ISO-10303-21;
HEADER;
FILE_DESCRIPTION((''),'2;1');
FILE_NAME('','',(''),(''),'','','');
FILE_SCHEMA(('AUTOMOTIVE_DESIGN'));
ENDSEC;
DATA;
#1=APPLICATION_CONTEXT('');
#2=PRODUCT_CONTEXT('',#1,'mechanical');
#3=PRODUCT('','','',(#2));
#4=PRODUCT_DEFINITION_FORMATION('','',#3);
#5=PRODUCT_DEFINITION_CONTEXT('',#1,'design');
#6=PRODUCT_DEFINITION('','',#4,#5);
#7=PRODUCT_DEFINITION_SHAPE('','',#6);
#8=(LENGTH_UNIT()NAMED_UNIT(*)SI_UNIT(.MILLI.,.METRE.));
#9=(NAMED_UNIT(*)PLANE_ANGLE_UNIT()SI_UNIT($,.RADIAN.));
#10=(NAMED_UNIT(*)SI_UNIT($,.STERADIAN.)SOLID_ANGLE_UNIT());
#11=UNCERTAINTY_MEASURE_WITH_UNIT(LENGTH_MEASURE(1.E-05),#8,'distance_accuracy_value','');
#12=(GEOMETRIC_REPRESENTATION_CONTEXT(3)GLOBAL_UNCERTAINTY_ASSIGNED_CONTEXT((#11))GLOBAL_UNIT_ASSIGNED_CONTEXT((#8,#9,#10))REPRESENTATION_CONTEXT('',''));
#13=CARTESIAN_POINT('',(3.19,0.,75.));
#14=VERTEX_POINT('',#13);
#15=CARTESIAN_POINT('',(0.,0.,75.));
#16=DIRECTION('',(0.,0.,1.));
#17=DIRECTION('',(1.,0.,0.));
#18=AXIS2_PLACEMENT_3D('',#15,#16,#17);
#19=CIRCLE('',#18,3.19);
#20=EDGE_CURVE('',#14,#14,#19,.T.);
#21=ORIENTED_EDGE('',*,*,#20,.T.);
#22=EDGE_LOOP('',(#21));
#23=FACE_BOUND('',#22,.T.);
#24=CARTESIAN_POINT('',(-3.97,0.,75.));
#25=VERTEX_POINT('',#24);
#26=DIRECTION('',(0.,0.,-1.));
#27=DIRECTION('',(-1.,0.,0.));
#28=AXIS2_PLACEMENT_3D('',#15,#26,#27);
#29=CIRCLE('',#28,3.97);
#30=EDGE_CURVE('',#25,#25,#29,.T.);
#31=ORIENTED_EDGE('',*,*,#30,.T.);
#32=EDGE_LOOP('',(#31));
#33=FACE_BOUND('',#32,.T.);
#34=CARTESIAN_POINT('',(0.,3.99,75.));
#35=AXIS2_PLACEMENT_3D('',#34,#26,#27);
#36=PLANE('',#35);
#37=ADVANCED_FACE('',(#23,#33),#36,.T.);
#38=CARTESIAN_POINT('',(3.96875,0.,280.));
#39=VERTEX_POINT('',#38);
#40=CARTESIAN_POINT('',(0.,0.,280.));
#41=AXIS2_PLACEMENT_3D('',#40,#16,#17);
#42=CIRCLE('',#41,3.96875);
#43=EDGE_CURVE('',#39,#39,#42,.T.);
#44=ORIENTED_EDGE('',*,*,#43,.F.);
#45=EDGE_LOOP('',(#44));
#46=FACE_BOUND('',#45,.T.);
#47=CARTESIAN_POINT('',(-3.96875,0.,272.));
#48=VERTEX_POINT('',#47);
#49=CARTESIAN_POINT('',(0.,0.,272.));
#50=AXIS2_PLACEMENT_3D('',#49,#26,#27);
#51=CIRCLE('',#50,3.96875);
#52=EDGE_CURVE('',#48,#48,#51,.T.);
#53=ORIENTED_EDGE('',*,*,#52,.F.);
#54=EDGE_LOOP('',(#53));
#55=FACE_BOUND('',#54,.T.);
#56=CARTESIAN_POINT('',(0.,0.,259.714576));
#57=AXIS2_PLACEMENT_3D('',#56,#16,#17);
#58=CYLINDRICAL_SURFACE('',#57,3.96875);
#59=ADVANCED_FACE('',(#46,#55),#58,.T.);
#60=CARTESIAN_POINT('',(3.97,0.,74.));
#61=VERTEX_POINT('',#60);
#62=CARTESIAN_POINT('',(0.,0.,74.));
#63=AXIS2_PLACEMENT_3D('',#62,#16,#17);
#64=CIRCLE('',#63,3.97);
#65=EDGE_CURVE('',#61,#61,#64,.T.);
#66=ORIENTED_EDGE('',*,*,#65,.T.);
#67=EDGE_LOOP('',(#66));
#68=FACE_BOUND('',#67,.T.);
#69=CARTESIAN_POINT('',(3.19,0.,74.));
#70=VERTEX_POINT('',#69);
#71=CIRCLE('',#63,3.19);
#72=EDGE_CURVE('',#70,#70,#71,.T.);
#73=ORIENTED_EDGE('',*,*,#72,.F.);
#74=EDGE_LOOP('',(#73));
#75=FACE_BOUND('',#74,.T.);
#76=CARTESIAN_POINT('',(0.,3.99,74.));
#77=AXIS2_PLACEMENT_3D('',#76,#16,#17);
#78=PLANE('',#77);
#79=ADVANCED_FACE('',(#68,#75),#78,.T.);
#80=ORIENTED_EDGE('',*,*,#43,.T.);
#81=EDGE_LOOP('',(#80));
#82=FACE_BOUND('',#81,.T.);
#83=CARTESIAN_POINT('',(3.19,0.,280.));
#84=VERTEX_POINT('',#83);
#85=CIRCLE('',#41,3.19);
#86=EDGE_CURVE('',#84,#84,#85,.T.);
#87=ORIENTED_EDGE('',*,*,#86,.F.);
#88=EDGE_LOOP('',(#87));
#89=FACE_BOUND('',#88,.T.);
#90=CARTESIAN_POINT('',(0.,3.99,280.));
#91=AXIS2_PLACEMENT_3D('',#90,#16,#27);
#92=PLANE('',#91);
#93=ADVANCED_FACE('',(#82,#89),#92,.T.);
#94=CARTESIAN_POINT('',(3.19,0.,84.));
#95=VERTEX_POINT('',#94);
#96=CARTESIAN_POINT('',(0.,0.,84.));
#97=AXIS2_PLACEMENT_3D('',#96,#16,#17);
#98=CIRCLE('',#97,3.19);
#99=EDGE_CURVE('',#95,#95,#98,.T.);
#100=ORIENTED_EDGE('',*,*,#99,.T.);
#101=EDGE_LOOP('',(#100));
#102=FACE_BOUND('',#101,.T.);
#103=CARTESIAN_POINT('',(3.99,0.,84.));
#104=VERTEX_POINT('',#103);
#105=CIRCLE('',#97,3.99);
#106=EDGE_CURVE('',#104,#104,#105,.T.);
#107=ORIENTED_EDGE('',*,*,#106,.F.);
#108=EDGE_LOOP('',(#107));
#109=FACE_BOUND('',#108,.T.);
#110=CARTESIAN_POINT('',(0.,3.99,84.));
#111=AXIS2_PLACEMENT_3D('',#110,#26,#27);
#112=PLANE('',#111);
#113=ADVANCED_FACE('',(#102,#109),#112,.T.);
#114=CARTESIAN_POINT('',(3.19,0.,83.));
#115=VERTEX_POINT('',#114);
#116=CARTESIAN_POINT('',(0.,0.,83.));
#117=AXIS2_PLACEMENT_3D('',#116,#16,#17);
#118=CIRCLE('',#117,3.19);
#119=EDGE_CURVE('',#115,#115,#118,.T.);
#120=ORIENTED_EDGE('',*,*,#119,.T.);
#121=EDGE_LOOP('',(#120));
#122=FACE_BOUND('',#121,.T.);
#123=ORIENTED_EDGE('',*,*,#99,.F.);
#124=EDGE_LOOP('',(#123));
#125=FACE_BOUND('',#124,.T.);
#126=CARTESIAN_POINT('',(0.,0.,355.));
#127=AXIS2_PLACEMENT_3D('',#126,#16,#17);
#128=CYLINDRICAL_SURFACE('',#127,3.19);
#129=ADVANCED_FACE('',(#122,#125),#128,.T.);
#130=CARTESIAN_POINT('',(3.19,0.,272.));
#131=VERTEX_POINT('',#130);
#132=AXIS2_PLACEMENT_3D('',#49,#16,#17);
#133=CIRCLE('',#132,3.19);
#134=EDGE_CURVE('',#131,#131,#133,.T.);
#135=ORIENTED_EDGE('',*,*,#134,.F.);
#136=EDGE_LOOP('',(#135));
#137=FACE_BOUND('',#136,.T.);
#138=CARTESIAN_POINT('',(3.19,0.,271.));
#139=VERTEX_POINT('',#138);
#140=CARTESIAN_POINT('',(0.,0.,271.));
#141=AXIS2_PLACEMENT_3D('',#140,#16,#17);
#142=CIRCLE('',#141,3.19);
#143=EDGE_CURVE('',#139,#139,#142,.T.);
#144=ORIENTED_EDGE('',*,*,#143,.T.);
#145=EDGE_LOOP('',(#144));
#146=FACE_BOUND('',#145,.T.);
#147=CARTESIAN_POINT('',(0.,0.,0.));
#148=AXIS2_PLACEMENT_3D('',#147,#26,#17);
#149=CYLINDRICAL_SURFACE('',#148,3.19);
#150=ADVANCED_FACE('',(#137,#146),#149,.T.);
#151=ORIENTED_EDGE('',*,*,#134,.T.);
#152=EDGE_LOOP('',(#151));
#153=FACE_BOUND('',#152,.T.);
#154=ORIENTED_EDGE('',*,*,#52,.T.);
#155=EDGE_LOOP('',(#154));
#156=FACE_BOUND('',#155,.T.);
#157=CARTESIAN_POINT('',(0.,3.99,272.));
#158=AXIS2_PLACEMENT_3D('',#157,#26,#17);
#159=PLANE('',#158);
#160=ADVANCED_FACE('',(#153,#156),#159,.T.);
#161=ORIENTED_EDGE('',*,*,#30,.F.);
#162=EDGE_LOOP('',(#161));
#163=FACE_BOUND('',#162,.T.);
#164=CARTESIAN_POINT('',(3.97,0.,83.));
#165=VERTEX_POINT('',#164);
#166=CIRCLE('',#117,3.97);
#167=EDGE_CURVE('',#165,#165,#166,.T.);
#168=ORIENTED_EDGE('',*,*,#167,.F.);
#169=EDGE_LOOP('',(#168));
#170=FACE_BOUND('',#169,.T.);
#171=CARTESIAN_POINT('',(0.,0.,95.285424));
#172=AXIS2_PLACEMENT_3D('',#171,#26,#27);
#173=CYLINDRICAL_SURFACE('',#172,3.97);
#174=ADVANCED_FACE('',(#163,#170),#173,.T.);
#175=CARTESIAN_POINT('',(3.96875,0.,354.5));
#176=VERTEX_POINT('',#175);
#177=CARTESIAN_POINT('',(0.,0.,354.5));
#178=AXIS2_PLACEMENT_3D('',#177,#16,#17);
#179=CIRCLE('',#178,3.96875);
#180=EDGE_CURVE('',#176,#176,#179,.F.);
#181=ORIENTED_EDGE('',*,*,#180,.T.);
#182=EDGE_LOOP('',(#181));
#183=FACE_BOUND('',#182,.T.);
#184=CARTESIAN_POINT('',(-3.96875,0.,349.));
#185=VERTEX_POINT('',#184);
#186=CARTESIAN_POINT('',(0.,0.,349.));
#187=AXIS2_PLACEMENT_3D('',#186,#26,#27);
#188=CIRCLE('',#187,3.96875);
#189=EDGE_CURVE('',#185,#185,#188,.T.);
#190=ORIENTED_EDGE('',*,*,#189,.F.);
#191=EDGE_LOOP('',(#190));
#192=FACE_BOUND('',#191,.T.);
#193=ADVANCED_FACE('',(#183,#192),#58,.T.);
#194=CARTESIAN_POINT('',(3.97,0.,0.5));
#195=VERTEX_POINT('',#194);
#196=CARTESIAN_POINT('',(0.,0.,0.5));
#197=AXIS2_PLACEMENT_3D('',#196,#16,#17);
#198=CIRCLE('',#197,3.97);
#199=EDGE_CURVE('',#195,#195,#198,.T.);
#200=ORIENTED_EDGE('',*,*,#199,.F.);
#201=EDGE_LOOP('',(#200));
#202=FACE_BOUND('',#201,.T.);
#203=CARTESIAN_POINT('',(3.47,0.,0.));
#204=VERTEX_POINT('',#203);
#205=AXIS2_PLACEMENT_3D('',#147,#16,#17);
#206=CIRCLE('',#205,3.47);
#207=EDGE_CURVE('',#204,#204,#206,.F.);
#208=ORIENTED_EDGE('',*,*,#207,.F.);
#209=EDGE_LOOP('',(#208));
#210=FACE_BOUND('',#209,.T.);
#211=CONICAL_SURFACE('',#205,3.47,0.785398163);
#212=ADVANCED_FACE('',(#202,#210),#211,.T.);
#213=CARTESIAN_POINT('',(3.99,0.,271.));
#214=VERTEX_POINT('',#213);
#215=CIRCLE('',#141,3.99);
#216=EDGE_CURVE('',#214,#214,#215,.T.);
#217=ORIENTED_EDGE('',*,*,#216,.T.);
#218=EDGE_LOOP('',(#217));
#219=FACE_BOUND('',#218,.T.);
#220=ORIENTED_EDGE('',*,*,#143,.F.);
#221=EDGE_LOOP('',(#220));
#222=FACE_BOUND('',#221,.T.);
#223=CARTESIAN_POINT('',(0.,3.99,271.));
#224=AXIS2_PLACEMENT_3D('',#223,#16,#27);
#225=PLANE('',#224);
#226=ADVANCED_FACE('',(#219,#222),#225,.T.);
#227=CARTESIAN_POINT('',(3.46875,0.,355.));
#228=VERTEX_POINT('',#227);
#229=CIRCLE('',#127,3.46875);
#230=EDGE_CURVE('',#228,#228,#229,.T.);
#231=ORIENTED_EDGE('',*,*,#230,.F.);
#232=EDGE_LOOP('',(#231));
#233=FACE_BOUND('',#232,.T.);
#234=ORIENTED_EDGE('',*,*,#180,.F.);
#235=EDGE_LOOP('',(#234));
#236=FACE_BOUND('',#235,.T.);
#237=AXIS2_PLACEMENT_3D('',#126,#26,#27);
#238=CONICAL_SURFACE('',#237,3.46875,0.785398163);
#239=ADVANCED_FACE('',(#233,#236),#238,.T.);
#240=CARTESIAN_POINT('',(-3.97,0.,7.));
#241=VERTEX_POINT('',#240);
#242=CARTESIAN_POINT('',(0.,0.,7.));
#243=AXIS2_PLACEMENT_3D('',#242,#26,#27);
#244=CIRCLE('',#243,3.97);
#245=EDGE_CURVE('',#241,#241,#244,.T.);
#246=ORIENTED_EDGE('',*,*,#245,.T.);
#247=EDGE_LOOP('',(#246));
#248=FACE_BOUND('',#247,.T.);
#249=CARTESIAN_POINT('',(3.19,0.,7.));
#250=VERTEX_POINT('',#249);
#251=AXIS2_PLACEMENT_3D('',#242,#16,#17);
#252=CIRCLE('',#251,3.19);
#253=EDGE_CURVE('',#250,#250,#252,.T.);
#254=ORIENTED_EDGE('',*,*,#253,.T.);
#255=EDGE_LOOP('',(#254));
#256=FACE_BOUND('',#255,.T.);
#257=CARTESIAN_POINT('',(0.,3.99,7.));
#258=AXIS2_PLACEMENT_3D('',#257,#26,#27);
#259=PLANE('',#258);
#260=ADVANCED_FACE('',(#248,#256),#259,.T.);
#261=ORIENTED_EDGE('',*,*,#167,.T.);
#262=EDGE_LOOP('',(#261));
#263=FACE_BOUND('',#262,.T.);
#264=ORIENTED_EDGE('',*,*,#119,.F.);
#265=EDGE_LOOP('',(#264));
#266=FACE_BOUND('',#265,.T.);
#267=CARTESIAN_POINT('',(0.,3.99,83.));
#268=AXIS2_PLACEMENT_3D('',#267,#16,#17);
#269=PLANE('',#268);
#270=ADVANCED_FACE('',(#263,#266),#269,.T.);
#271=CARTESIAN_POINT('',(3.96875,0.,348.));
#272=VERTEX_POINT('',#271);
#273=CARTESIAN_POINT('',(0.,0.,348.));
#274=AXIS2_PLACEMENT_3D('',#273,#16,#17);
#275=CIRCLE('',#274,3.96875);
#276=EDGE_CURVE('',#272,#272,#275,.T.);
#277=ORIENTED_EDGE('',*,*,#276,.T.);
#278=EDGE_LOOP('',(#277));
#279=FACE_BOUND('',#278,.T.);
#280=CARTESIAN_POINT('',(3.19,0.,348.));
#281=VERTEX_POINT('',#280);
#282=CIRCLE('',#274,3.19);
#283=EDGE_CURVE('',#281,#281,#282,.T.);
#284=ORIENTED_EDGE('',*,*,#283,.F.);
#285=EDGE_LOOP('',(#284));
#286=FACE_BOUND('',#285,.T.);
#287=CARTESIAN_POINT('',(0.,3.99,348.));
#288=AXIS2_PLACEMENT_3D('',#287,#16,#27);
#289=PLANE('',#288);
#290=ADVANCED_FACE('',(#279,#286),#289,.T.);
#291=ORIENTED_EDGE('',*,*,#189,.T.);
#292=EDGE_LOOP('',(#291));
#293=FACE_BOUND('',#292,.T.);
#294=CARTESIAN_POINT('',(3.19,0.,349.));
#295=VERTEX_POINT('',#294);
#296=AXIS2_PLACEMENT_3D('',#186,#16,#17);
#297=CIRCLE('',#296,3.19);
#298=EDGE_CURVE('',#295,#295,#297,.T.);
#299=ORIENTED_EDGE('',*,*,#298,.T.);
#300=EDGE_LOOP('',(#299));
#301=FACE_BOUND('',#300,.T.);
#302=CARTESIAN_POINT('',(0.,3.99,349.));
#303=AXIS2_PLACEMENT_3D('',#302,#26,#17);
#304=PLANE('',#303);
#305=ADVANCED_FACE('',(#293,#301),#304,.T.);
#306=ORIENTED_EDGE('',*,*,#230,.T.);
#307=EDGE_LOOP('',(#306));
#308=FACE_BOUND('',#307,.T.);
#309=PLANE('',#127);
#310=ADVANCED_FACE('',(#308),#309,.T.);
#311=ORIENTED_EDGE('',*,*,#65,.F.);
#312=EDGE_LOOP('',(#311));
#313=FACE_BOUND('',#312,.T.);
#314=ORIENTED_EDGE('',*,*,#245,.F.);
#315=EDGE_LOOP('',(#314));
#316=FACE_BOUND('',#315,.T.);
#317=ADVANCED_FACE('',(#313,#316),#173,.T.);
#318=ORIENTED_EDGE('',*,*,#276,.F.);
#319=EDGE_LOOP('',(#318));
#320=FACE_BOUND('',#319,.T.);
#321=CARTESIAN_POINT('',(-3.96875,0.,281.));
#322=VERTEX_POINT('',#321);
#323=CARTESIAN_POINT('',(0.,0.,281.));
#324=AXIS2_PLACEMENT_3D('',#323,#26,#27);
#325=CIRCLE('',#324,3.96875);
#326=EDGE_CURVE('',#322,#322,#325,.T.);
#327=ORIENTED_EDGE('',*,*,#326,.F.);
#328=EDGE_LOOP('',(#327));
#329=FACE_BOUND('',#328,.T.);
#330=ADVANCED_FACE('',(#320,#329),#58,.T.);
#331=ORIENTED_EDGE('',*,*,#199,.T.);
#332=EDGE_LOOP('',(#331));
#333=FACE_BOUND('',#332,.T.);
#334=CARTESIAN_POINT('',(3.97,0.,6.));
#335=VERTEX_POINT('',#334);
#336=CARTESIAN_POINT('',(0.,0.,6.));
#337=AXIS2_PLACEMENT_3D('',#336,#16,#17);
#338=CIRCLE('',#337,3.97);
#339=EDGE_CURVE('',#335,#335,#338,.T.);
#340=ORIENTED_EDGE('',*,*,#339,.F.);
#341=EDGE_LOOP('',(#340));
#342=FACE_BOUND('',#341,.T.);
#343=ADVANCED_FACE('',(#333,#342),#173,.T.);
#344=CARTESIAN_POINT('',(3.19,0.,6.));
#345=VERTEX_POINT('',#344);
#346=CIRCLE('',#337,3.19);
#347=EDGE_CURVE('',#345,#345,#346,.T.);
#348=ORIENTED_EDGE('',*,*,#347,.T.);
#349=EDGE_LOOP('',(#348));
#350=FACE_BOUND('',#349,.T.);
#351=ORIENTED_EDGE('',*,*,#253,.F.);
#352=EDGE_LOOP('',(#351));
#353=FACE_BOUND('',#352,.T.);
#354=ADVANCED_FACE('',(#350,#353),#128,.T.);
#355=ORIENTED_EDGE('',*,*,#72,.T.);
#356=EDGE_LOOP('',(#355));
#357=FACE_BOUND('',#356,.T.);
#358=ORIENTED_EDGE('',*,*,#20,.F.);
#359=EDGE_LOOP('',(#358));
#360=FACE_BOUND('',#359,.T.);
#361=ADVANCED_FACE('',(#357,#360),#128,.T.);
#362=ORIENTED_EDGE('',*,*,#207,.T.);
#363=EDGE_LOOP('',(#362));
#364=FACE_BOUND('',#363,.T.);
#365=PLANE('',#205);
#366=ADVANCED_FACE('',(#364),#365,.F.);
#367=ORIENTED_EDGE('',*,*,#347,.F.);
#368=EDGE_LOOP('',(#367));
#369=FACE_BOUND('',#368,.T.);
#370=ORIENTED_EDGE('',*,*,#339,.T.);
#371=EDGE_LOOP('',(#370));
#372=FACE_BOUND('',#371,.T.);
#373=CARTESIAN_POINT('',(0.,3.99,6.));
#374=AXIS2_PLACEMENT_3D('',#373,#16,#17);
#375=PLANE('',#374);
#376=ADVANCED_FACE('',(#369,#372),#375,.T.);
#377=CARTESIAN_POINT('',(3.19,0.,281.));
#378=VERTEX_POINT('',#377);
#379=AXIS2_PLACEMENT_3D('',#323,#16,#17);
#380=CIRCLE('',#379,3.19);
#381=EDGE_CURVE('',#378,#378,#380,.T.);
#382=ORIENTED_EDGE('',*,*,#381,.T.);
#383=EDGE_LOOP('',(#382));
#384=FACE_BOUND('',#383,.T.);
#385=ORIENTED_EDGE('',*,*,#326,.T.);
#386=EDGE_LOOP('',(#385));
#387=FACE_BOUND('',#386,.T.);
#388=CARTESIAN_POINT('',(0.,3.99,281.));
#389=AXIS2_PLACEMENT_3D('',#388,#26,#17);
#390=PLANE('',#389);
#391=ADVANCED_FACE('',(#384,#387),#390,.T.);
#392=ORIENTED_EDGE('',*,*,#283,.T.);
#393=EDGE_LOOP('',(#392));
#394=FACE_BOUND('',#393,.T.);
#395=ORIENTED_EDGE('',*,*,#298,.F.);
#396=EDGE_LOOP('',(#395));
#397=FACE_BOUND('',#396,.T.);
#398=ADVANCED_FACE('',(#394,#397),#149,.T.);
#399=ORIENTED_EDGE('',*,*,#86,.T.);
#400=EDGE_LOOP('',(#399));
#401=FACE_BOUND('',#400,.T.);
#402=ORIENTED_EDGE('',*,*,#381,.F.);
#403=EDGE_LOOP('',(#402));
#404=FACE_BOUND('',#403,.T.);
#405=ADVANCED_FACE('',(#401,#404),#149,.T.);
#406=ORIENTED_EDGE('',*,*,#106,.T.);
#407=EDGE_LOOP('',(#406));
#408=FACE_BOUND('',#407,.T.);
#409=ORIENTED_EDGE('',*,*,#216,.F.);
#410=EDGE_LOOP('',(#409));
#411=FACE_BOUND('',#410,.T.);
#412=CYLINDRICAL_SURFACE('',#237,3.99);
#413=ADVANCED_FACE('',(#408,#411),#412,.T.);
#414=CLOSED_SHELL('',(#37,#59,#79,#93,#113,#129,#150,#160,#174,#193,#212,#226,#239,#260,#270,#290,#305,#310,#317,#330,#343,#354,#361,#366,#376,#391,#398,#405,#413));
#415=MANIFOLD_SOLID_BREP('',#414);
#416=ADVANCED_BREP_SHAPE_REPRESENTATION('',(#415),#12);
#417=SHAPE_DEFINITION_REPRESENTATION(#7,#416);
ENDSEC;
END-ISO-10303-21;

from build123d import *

# Parameters (mm, degrees)
CROQUIS1_R              = 3.99
SALIENTE_EXTRUIR1_DEPTH = 355
CROQUIS2_W              = 1
CROQUIS2_H              = 0.8
CROQUIS5_R              = 3.99
CROQUIS5_R_2            = 3.96875
CORTAR_EXTRUIR1_DEPTH   = 84
CROQUIS6_R              = 3.99
CROQUIS6_R_2            = 3.97
CORTAR_EXTRUIR2_DEPTH   = 84
CHAFL_N1_SIZE           = 0.5


with BuildPart() as part:
    # Croquis1 → Saliente-Extruir1 (new body)
    with BuildSketch(Plane.XY):
        Circle(CROQUIS1_R)
    extrude(amount=SALIENTE_EXTRUIR1_DEPTH)

    # Croquis2 → Cortar-Revolución1 (revolve, cut)
    with BuildSketch(Plane(origin=(0, 0, 0), x_dir=(0, 0, -1), z_dir=(1, 0, 0))):
        with Locations((-6.5, 3.59)):
            Rectangle(CROQUIS2_W, CROQUIS2_H)
        with Locations((-74.5, 3.59)):
            Rectangle(CROQUIS2_W, CROQUIS2_H)
        with Locations((-83.5, 3.59)):
            Rectangle(CROQUIS2_W, CROQUIS2_H)
    cortar_revoluci_n1 = revolve(axis=Axis((0, 0, 355), (0, 0, -1)), mode=Mode.SUBTRACT)

    # Simetría1: Cortar-Revolución1 across plane
    add(cortar_revoluci_n1.mirror(Plane.XY.offset(177.5)), mode=Mode.SUBTRACT)

    # Croquis5 → Cortar-Extruir1 (cut)
    with BuildSketch(Plane.XY.offset(355)):
        Circle(CROQUIS5_R)
        Circle(CROQUIS5_R_2, mode=Mode.SUBTRACT)
    extrude(amount=-CORTAR_EXTRUIR1_DEPTH, mode=Mode.SUBTRACT)

    # Croquis6 → Cortar-Extruir2 (cut)
    with BuildSketch(Plane(origin=(0, 0, 0), x_dir=(-1, 0, 0), z_dir=(0, 0, -1))):
        Circle(CROQUIS6_R)
        Circle(CROQUIS6_R_2, mode=Mode.SUBTRACT)
    extrude(amount=-CORTAR_EXTRUIR2_DEPTH, mode=Mode.SUBTRACT)

    # Chaflán1
    chafl_n1_edges = [part.edges().sort_by_distance(p)[0] for p in [
        (-3.96875, 0, 355),
        (3.97, 0, 0),
    ]]
    chamfer(chafl_n1_edges, length=CHAFL_N1_SIZE)


solid = part.part
